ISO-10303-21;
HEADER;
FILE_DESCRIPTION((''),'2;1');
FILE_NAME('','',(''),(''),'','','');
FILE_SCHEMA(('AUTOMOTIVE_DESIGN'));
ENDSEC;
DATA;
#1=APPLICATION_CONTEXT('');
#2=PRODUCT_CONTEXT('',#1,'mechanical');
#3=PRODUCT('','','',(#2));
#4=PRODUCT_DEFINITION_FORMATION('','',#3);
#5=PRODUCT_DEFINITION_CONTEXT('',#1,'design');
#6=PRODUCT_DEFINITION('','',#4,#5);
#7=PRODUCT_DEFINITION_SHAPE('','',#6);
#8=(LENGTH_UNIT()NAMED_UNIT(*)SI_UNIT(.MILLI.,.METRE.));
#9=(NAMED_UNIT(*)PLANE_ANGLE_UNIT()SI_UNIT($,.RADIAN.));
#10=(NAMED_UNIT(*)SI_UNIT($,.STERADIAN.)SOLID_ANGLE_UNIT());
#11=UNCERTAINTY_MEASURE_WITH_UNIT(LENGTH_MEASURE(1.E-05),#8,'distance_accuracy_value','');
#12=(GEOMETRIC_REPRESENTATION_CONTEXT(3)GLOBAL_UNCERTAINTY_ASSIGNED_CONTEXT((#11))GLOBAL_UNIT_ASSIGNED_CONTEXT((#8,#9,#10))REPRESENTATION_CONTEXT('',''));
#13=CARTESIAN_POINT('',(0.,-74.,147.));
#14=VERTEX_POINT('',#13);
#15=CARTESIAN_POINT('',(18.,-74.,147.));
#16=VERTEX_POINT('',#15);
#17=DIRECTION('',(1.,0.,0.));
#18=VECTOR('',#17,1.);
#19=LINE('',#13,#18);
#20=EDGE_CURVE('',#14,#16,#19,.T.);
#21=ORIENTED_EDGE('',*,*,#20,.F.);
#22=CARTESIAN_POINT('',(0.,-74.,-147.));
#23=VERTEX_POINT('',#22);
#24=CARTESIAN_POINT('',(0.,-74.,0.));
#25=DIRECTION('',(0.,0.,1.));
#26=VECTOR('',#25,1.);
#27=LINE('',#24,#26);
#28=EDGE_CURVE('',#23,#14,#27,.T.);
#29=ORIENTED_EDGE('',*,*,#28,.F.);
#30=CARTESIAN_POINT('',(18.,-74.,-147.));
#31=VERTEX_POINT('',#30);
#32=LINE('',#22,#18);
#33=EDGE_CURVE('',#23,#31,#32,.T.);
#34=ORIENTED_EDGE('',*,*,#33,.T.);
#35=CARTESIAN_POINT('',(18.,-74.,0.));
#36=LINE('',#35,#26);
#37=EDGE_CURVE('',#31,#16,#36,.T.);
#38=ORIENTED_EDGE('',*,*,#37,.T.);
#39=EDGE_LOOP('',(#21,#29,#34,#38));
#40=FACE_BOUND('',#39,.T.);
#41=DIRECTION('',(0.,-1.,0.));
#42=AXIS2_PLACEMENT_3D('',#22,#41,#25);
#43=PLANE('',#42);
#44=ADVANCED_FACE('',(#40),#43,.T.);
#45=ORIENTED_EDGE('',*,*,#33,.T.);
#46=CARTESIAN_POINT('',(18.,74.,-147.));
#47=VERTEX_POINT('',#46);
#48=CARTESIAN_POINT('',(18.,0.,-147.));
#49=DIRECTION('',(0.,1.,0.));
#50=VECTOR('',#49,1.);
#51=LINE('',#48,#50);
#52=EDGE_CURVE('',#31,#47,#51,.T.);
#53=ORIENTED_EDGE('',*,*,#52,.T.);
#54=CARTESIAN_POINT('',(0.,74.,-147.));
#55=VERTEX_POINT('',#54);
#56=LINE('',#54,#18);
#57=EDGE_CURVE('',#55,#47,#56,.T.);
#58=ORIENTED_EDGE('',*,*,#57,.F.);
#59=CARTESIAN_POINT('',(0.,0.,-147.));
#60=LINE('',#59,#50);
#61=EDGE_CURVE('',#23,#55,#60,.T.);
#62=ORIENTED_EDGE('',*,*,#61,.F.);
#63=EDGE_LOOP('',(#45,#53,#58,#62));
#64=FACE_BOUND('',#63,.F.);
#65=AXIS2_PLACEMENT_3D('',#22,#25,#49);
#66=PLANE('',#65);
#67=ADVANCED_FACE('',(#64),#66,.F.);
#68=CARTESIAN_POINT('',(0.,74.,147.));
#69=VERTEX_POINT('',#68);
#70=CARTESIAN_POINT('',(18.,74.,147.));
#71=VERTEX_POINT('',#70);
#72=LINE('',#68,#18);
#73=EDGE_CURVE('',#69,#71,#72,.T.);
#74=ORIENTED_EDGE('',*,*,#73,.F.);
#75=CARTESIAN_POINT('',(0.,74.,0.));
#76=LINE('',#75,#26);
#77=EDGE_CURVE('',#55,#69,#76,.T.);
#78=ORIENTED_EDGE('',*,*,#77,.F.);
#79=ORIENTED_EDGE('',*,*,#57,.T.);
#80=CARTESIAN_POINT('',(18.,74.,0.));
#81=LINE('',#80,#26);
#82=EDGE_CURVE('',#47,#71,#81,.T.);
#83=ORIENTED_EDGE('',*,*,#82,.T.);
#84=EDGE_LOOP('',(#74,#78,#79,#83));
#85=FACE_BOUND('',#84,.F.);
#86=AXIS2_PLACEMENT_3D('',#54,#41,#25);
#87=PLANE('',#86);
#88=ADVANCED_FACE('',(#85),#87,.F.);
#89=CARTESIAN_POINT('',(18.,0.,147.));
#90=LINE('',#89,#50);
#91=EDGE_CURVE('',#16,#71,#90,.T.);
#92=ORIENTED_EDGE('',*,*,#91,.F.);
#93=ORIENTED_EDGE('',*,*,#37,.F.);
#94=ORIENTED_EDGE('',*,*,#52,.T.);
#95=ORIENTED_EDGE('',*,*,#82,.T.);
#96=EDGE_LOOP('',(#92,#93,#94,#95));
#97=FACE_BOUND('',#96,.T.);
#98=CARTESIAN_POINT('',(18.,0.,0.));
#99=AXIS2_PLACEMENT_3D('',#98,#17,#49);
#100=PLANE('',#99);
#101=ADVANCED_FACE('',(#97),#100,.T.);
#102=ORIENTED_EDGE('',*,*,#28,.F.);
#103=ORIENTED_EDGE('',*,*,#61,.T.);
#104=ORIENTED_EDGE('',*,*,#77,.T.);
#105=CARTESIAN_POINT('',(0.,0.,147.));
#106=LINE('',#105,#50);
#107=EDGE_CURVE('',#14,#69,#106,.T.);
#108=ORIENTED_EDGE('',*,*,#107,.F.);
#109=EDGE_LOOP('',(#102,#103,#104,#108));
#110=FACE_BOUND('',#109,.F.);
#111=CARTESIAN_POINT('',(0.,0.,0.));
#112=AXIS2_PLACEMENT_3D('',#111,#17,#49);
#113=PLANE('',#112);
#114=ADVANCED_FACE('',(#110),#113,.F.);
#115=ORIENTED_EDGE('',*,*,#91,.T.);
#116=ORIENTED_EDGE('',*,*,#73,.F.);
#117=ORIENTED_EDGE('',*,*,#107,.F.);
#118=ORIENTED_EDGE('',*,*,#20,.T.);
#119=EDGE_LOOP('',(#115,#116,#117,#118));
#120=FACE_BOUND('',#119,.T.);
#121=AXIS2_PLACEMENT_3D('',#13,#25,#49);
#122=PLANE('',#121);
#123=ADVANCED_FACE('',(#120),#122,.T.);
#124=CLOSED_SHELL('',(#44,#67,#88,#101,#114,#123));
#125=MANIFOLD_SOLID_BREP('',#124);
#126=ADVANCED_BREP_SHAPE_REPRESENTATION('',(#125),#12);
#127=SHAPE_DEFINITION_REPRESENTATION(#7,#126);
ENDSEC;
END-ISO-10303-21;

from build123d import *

# Parameters (mm, degrees)
SKETCH_W  = 148
SKETCH_H  = 294
PAD_DEPTH = 18


with BuildPart() as part:
    # Sketch → Pad (new body)
    with BuildSketch(Plane.YZ):
        Rectangle(SKETCH_W, SKETCH_H)
    extrude(amount=PAD_DEPTH)


solid = part.part
